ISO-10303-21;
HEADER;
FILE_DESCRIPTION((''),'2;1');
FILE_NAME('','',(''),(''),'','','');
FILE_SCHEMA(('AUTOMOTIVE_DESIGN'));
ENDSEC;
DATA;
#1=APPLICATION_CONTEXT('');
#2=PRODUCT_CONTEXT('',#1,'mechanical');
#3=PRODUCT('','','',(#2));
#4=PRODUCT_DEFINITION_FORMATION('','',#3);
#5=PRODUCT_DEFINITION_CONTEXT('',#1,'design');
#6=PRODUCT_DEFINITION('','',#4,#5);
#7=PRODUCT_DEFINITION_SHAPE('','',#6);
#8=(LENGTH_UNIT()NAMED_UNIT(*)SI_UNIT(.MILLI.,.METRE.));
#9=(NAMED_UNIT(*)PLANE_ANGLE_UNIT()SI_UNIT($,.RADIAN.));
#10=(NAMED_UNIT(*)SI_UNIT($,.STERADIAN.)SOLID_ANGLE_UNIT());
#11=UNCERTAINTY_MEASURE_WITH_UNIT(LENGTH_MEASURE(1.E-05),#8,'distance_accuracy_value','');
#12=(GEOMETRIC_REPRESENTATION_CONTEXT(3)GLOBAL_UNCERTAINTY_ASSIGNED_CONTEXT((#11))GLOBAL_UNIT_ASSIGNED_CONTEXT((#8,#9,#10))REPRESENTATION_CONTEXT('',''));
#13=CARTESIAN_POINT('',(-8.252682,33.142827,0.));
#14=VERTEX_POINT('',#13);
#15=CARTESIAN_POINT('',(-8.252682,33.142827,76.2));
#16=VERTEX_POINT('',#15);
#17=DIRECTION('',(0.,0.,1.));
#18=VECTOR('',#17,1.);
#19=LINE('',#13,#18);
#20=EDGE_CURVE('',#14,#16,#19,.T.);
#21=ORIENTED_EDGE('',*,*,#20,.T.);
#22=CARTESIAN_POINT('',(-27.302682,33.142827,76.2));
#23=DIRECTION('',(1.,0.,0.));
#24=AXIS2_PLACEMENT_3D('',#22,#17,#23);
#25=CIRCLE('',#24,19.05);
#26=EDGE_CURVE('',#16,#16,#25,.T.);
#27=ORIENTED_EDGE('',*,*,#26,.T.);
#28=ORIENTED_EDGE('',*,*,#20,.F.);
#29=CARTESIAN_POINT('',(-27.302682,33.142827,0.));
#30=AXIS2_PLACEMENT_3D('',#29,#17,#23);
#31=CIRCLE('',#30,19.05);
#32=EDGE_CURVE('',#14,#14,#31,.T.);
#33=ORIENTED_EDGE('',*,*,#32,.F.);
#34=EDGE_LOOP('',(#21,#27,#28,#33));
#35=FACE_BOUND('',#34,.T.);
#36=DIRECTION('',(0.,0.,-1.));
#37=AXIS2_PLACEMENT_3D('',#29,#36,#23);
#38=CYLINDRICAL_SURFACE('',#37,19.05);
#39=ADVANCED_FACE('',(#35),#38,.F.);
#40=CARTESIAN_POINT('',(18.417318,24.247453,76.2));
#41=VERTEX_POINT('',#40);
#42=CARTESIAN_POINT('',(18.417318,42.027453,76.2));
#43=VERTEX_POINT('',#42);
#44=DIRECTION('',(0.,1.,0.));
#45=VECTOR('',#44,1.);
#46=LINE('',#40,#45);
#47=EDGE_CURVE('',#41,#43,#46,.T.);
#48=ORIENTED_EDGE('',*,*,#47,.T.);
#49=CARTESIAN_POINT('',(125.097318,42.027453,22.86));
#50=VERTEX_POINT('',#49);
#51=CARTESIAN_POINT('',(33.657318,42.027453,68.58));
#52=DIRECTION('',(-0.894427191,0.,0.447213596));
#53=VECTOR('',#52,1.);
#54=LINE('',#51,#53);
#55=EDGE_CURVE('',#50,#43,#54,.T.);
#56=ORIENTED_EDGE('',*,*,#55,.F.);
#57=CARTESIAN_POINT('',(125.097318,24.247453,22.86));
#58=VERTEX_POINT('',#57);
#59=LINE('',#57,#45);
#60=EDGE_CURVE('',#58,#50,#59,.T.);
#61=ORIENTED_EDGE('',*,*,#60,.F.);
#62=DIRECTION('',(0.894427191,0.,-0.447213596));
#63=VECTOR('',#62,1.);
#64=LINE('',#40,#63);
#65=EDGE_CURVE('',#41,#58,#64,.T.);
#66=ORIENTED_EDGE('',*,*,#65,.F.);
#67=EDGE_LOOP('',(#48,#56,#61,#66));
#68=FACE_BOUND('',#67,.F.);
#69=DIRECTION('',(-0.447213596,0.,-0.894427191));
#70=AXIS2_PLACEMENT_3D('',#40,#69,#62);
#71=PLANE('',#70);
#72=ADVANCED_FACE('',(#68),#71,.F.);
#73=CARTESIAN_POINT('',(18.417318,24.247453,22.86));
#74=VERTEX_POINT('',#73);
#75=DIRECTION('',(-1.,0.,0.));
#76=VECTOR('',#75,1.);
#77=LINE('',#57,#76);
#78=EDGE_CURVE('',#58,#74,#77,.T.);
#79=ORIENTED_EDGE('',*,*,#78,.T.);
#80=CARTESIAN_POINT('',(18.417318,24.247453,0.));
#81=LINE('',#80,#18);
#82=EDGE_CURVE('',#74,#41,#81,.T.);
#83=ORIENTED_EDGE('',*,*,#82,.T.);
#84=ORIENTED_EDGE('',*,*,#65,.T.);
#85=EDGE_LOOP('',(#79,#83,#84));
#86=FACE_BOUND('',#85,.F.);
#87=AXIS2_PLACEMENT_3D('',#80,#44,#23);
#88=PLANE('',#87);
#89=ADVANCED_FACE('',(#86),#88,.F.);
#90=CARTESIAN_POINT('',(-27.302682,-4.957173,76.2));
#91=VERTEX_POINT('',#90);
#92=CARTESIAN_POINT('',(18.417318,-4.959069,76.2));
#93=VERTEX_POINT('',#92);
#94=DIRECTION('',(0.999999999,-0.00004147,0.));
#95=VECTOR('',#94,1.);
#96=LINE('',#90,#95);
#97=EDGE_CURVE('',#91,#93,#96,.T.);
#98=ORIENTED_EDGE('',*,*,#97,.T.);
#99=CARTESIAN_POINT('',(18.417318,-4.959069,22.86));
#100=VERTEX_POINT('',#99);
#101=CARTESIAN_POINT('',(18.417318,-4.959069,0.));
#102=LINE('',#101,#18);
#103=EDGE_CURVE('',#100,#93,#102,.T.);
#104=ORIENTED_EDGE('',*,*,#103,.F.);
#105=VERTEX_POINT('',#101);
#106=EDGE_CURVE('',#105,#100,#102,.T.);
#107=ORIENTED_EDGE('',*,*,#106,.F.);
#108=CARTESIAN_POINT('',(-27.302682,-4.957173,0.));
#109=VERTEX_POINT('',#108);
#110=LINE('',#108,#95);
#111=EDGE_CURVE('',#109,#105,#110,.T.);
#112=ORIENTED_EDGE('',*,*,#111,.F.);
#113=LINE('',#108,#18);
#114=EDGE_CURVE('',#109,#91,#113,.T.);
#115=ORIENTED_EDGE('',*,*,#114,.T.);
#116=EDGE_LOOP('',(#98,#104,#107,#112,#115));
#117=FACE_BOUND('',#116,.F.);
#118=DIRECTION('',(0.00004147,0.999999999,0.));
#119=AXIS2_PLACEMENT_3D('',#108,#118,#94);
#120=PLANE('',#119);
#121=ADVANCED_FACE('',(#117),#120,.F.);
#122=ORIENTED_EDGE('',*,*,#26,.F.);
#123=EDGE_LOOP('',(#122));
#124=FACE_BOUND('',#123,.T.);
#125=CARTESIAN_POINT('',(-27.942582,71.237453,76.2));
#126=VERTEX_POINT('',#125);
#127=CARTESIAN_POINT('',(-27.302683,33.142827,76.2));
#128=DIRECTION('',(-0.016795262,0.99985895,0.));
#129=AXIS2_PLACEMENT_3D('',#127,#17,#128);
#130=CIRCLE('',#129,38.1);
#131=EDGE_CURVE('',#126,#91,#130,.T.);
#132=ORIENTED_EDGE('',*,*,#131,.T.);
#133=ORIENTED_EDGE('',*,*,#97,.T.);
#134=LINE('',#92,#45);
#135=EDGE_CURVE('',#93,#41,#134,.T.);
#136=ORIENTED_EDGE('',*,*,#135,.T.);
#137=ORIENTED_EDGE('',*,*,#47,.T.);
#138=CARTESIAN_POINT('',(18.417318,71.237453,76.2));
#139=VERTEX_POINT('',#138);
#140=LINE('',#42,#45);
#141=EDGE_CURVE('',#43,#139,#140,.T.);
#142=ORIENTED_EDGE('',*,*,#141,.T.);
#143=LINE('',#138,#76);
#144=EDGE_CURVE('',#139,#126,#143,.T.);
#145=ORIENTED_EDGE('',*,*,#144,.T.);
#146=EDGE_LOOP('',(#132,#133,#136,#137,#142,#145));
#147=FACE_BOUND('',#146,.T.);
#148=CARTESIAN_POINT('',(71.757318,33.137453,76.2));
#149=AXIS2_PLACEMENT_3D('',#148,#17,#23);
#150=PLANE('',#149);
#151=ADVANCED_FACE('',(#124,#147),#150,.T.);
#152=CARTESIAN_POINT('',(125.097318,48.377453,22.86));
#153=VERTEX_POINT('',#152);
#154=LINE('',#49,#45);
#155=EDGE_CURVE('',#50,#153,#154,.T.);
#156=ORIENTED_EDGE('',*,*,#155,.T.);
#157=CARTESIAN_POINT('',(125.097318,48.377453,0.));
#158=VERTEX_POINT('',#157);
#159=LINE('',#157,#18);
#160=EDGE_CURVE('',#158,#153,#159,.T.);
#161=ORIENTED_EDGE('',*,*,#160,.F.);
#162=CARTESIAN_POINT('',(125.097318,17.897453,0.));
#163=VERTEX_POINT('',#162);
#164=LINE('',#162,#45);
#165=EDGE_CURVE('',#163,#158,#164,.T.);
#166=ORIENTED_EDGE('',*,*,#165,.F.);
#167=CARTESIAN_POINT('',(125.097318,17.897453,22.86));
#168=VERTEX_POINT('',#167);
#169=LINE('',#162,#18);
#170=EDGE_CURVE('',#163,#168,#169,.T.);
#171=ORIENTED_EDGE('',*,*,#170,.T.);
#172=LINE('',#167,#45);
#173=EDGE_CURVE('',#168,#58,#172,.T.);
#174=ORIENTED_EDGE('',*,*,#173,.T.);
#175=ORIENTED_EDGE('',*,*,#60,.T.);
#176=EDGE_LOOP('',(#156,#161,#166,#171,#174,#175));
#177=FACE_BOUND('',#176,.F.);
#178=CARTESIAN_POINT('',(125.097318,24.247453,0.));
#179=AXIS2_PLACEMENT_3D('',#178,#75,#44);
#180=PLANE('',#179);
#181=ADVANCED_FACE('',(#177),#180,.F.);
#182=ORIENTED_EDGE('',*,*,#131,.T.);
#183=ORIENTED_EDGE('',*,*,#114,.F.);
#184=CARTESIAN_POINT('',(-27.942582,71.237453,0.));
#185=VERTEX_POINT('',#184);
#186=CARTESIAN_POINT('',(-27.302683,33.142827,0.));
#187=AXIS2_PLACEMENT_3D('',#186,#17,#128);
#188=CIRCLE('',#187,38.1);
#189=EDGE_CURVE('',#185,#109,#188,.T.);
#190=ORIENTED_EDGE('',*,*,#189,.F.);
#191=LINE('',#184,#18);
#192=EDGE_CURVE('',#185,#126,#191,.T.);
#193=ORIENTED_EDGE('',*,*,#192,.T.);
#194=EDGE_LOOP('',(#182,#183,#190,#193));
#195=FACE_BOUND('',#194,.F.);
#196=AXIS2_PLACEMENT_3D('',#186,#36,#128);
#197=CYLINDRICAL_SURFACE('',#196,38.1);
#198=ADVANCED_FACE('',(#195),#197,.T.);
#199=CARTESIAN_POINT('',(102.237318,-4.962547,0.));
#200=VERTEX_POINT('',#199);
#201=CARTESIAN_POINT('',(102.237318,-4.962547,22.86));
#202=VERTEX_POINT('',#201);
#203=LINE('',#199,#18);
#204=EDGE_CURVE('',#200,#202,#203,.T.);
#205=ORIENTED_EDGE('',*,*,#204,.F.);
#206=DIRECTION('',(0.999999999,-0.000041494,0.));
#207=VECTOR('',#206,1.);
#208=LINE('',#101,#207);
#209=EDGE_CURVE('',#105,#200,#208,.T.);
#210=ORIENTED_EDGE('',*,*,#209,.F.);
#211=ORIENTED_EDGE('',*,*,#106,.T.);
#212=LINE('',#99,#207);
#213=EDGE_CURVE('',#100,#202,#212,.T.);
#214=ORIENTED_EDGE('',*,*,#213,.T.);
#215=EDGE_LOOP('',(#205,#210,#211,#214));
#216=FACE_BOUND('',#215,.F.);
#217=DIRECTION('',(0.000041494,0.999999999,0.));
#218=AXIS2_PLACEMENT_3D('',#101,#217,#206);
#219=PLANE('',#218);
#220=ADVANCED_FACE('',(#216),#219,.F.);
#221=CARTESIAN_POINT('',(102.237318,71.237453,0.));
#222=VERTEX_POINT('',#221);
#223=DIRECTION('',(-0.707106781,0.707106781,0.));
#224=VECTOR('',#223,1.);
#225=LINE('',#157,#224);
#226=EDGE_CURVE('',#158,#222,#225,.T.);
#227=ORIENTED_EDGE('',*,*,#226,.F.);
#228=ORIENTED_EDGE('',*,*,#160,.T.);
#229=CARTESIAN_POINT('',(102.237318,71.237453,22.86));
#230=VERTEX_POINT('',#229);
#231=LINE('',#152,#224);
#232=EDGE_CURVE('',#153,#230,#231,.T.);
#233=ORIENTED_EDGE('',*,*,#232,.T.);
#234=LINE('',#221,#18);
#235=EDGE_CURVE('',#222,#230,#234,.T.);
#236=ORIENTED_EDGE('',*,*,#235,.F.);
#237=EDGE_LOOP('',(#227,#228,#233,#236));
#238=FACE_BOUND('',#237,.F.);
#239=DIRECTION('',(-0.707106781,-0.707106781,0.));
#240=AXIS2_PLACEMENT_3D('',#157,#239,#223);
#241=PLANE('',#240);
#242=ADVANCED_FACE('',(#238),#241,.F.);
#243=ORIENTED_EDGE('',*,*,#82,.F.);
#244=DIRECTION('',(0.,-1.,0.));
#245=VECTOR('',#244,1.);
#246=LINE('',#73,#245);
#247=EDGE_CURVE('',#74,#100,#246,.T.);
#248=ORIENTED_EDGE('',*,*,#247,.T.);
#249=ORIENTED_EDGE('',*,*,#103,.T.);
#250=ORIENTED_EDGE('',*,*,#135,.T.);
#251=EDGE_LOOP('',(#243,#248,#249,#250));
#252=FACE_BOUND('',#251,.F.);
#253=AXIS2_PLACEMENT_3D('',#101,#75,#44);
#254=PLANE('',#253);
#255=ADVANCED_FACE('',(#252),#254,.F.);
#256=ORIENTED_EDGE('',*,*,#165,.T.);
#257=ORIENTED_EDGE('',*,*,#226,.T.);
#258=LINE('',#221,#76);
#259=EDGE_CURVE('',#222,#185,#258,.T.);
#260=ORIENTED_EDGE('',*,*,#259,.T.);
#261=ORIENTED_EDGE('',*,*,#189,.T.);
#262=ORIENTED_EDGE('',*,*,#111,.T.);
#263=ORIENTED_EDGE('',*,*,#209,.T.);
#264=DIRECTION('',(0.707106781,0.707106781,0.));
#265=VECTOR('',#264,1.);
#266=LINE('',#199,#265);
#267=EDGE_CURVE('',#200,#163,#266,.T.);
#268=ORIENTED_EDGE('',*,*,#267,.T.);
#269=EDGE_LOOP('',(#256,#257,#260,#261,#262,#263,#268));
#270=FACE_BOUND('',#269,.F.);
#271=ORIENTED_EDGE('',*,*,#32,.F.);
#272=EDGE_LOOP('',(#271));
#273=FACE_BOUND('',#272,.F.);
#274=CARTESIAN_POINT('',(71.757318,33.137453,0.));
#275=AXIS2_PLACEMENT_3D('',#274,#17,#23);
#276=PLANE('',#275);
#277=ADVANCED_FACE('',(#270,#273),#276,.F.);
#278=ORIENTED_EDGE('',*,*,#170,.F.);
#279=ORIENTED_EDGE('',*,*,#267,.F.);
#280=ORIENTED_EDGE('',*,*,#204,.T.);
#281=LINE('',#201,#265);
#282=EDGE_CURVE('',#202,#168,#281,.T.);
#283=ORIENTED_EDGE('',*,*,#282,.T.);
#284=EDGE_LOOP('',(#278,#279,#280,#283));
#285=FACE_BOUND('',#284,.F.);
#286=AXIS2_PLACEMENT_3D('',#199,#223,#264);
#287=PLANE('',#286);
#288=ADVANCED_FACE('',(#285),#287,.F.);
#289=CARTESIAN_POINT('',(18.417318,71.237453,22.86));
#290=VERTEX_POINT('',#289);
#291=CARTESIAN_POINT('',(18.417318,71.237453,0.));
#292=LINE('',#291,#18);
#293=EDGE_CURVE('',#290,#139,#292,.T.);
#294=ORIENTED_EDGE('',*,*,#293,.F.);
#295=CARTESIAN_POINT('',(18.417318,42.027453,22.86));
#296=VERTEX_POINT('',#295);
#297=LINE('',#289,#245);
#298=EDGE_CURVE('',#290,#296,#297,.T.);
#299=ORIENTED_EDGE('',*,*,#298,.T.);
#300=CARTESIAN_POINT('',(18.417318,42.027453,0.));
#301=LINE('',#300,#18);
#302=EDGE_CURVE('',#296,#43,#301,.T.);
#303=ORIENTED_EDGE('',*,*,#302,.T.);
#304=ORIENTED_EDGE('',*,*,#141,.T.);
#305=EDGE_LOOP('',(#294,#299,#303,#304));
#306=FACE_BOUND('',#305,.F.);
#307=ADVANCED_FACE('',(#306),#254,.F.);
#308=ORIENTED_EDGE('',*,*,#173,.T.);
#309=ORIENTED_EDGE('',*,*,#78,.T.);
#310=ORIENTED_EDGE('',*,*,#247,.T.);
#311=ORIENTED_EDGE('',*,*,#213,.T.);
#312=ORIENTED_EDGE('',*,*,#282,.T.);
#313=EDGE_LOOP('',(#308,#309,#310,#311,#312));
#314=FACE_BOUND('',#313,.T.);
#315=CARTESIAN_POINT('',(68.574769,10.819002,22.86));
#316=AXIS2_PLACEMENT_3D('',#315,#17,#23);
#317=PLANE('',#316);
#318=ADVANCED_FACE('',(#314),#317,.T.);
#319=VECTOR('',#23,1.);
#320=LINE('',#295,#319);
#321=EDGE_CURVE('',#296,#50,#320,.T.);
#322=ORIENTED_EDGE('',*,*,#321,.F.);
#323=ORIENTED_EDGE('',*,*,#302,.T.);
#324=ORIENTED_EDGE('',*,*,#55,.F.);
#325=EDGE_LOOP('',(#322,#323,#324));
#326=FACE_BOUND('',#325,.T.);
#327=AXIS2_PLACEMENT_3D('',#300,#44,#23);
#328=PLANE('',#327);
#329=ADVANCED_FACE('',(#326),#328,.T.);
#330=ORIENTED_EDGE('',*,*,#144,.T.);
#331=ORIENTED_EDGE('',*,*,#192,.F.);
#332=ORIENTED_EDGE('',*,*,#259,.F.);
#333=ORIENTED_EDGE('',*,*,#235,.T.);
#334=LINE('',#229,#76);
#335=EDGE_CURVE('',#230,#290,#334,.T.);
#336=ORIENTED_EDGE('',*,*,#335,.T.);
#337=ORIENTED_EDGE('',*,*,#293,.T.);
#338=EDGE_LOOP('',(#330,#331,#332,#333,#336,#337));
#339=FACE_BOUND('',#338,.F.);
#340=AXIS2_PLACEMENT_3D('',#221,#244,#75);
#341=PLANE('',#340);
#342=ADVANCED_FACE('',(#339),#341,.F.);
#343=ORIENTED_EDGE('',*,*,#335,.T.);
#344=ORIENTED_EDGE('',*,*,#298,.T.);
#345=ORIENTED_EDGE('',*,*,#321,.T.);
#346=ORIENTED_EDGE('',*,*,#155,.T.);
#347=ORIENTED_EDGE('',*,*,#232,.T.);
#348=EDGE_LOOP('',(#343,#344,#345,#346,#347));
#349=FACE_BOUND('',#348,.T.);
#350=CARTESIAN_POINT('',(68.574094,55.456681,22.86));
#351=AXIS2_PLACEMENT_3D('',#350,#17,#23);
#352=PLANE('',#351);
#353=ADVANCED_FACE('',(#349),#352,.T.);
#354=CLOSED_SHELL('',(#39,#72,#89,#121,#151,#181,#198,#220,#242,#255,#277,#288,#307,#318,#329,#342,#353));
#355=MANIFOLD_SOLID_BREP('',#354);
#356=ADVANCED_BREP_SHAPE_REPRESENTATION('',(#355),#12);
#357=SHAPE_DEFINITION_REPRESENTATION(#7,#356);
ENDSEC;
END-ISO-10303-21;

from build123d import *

# Parameters (mm, degrees)
F0_R     = 19.05
F1_DEPTH = 76.2
F2_DEPTH = 22.86
F0_W     = 106.68
F0_H     = 17.78
F3_DEPTH = 76.2
F5_DEPTH = 25.4


with BuildPart() as f1:
    # F0 (on Top) → F1 (new body)
    with BuildSketch(Plane.XY):
        with BuildLine():
            Line((18.417318, 71.237453), (-26.662783, 71.237453))
            Line((-26.662783, 71.237453), (-27.942582, 71.237453))
            ThreePointArc((-27.942582, 71.237453), (-65.401339, 32.822866), (-27.302682, -4.957173))
            Line((-27.302682, -4.957173), (18.417318, -4.959069))
            Line((18.417318, -4.959069), (18.417318, 24.247453))
            Line((18.417318, 24.247453), (18.417318, 42.027453))
            Line((18.417318, 42.027453), (18.417318, 71.237453))
        make_face()
        with Locations((-27.302682, 33.142827)):
            Circle(F0_R, mode=Mode.SUBTRACT)
    extrude(amount=F1_DEPTH)

    # F0 (on Top) → F2 (join)
    with BuildSketch(Plane.XY):
        Polygon((102.237318, 71.237453), (18.417318, 71.237453), (18.417318, 42.027453), (125.097318, 42.027453), (125.097318, 48.377453), align=None)
        Polygon((18.417318, 24.247453), (18.417318, -4.959069), (102.237318, -4.962547), (125.097318, 17.897453), (125.097318, 24.247453), align=None)
    extrude(amount=F2_DEPTH)

    # F0 (on Top) → F3 (join)
    with BuildSketch(Plane.XY):
        with Locations((71.757318, 33.137453)):
            Rectangle(F0_W, F0_H)
    extrude(amount=F3_DEPTH)

    # F4 (on face) → F5 (cut)
    with BuildSketch(Plane.XZ.offset(-24.247453)):
        Polygon((125.097318, 76.2), (18.417318, 76.2), (125.097318, 22.86), align=None)
    extrude(amount=-F5_DEPTH, mode=Mode.SUBTRACT)


solid = f1.part
